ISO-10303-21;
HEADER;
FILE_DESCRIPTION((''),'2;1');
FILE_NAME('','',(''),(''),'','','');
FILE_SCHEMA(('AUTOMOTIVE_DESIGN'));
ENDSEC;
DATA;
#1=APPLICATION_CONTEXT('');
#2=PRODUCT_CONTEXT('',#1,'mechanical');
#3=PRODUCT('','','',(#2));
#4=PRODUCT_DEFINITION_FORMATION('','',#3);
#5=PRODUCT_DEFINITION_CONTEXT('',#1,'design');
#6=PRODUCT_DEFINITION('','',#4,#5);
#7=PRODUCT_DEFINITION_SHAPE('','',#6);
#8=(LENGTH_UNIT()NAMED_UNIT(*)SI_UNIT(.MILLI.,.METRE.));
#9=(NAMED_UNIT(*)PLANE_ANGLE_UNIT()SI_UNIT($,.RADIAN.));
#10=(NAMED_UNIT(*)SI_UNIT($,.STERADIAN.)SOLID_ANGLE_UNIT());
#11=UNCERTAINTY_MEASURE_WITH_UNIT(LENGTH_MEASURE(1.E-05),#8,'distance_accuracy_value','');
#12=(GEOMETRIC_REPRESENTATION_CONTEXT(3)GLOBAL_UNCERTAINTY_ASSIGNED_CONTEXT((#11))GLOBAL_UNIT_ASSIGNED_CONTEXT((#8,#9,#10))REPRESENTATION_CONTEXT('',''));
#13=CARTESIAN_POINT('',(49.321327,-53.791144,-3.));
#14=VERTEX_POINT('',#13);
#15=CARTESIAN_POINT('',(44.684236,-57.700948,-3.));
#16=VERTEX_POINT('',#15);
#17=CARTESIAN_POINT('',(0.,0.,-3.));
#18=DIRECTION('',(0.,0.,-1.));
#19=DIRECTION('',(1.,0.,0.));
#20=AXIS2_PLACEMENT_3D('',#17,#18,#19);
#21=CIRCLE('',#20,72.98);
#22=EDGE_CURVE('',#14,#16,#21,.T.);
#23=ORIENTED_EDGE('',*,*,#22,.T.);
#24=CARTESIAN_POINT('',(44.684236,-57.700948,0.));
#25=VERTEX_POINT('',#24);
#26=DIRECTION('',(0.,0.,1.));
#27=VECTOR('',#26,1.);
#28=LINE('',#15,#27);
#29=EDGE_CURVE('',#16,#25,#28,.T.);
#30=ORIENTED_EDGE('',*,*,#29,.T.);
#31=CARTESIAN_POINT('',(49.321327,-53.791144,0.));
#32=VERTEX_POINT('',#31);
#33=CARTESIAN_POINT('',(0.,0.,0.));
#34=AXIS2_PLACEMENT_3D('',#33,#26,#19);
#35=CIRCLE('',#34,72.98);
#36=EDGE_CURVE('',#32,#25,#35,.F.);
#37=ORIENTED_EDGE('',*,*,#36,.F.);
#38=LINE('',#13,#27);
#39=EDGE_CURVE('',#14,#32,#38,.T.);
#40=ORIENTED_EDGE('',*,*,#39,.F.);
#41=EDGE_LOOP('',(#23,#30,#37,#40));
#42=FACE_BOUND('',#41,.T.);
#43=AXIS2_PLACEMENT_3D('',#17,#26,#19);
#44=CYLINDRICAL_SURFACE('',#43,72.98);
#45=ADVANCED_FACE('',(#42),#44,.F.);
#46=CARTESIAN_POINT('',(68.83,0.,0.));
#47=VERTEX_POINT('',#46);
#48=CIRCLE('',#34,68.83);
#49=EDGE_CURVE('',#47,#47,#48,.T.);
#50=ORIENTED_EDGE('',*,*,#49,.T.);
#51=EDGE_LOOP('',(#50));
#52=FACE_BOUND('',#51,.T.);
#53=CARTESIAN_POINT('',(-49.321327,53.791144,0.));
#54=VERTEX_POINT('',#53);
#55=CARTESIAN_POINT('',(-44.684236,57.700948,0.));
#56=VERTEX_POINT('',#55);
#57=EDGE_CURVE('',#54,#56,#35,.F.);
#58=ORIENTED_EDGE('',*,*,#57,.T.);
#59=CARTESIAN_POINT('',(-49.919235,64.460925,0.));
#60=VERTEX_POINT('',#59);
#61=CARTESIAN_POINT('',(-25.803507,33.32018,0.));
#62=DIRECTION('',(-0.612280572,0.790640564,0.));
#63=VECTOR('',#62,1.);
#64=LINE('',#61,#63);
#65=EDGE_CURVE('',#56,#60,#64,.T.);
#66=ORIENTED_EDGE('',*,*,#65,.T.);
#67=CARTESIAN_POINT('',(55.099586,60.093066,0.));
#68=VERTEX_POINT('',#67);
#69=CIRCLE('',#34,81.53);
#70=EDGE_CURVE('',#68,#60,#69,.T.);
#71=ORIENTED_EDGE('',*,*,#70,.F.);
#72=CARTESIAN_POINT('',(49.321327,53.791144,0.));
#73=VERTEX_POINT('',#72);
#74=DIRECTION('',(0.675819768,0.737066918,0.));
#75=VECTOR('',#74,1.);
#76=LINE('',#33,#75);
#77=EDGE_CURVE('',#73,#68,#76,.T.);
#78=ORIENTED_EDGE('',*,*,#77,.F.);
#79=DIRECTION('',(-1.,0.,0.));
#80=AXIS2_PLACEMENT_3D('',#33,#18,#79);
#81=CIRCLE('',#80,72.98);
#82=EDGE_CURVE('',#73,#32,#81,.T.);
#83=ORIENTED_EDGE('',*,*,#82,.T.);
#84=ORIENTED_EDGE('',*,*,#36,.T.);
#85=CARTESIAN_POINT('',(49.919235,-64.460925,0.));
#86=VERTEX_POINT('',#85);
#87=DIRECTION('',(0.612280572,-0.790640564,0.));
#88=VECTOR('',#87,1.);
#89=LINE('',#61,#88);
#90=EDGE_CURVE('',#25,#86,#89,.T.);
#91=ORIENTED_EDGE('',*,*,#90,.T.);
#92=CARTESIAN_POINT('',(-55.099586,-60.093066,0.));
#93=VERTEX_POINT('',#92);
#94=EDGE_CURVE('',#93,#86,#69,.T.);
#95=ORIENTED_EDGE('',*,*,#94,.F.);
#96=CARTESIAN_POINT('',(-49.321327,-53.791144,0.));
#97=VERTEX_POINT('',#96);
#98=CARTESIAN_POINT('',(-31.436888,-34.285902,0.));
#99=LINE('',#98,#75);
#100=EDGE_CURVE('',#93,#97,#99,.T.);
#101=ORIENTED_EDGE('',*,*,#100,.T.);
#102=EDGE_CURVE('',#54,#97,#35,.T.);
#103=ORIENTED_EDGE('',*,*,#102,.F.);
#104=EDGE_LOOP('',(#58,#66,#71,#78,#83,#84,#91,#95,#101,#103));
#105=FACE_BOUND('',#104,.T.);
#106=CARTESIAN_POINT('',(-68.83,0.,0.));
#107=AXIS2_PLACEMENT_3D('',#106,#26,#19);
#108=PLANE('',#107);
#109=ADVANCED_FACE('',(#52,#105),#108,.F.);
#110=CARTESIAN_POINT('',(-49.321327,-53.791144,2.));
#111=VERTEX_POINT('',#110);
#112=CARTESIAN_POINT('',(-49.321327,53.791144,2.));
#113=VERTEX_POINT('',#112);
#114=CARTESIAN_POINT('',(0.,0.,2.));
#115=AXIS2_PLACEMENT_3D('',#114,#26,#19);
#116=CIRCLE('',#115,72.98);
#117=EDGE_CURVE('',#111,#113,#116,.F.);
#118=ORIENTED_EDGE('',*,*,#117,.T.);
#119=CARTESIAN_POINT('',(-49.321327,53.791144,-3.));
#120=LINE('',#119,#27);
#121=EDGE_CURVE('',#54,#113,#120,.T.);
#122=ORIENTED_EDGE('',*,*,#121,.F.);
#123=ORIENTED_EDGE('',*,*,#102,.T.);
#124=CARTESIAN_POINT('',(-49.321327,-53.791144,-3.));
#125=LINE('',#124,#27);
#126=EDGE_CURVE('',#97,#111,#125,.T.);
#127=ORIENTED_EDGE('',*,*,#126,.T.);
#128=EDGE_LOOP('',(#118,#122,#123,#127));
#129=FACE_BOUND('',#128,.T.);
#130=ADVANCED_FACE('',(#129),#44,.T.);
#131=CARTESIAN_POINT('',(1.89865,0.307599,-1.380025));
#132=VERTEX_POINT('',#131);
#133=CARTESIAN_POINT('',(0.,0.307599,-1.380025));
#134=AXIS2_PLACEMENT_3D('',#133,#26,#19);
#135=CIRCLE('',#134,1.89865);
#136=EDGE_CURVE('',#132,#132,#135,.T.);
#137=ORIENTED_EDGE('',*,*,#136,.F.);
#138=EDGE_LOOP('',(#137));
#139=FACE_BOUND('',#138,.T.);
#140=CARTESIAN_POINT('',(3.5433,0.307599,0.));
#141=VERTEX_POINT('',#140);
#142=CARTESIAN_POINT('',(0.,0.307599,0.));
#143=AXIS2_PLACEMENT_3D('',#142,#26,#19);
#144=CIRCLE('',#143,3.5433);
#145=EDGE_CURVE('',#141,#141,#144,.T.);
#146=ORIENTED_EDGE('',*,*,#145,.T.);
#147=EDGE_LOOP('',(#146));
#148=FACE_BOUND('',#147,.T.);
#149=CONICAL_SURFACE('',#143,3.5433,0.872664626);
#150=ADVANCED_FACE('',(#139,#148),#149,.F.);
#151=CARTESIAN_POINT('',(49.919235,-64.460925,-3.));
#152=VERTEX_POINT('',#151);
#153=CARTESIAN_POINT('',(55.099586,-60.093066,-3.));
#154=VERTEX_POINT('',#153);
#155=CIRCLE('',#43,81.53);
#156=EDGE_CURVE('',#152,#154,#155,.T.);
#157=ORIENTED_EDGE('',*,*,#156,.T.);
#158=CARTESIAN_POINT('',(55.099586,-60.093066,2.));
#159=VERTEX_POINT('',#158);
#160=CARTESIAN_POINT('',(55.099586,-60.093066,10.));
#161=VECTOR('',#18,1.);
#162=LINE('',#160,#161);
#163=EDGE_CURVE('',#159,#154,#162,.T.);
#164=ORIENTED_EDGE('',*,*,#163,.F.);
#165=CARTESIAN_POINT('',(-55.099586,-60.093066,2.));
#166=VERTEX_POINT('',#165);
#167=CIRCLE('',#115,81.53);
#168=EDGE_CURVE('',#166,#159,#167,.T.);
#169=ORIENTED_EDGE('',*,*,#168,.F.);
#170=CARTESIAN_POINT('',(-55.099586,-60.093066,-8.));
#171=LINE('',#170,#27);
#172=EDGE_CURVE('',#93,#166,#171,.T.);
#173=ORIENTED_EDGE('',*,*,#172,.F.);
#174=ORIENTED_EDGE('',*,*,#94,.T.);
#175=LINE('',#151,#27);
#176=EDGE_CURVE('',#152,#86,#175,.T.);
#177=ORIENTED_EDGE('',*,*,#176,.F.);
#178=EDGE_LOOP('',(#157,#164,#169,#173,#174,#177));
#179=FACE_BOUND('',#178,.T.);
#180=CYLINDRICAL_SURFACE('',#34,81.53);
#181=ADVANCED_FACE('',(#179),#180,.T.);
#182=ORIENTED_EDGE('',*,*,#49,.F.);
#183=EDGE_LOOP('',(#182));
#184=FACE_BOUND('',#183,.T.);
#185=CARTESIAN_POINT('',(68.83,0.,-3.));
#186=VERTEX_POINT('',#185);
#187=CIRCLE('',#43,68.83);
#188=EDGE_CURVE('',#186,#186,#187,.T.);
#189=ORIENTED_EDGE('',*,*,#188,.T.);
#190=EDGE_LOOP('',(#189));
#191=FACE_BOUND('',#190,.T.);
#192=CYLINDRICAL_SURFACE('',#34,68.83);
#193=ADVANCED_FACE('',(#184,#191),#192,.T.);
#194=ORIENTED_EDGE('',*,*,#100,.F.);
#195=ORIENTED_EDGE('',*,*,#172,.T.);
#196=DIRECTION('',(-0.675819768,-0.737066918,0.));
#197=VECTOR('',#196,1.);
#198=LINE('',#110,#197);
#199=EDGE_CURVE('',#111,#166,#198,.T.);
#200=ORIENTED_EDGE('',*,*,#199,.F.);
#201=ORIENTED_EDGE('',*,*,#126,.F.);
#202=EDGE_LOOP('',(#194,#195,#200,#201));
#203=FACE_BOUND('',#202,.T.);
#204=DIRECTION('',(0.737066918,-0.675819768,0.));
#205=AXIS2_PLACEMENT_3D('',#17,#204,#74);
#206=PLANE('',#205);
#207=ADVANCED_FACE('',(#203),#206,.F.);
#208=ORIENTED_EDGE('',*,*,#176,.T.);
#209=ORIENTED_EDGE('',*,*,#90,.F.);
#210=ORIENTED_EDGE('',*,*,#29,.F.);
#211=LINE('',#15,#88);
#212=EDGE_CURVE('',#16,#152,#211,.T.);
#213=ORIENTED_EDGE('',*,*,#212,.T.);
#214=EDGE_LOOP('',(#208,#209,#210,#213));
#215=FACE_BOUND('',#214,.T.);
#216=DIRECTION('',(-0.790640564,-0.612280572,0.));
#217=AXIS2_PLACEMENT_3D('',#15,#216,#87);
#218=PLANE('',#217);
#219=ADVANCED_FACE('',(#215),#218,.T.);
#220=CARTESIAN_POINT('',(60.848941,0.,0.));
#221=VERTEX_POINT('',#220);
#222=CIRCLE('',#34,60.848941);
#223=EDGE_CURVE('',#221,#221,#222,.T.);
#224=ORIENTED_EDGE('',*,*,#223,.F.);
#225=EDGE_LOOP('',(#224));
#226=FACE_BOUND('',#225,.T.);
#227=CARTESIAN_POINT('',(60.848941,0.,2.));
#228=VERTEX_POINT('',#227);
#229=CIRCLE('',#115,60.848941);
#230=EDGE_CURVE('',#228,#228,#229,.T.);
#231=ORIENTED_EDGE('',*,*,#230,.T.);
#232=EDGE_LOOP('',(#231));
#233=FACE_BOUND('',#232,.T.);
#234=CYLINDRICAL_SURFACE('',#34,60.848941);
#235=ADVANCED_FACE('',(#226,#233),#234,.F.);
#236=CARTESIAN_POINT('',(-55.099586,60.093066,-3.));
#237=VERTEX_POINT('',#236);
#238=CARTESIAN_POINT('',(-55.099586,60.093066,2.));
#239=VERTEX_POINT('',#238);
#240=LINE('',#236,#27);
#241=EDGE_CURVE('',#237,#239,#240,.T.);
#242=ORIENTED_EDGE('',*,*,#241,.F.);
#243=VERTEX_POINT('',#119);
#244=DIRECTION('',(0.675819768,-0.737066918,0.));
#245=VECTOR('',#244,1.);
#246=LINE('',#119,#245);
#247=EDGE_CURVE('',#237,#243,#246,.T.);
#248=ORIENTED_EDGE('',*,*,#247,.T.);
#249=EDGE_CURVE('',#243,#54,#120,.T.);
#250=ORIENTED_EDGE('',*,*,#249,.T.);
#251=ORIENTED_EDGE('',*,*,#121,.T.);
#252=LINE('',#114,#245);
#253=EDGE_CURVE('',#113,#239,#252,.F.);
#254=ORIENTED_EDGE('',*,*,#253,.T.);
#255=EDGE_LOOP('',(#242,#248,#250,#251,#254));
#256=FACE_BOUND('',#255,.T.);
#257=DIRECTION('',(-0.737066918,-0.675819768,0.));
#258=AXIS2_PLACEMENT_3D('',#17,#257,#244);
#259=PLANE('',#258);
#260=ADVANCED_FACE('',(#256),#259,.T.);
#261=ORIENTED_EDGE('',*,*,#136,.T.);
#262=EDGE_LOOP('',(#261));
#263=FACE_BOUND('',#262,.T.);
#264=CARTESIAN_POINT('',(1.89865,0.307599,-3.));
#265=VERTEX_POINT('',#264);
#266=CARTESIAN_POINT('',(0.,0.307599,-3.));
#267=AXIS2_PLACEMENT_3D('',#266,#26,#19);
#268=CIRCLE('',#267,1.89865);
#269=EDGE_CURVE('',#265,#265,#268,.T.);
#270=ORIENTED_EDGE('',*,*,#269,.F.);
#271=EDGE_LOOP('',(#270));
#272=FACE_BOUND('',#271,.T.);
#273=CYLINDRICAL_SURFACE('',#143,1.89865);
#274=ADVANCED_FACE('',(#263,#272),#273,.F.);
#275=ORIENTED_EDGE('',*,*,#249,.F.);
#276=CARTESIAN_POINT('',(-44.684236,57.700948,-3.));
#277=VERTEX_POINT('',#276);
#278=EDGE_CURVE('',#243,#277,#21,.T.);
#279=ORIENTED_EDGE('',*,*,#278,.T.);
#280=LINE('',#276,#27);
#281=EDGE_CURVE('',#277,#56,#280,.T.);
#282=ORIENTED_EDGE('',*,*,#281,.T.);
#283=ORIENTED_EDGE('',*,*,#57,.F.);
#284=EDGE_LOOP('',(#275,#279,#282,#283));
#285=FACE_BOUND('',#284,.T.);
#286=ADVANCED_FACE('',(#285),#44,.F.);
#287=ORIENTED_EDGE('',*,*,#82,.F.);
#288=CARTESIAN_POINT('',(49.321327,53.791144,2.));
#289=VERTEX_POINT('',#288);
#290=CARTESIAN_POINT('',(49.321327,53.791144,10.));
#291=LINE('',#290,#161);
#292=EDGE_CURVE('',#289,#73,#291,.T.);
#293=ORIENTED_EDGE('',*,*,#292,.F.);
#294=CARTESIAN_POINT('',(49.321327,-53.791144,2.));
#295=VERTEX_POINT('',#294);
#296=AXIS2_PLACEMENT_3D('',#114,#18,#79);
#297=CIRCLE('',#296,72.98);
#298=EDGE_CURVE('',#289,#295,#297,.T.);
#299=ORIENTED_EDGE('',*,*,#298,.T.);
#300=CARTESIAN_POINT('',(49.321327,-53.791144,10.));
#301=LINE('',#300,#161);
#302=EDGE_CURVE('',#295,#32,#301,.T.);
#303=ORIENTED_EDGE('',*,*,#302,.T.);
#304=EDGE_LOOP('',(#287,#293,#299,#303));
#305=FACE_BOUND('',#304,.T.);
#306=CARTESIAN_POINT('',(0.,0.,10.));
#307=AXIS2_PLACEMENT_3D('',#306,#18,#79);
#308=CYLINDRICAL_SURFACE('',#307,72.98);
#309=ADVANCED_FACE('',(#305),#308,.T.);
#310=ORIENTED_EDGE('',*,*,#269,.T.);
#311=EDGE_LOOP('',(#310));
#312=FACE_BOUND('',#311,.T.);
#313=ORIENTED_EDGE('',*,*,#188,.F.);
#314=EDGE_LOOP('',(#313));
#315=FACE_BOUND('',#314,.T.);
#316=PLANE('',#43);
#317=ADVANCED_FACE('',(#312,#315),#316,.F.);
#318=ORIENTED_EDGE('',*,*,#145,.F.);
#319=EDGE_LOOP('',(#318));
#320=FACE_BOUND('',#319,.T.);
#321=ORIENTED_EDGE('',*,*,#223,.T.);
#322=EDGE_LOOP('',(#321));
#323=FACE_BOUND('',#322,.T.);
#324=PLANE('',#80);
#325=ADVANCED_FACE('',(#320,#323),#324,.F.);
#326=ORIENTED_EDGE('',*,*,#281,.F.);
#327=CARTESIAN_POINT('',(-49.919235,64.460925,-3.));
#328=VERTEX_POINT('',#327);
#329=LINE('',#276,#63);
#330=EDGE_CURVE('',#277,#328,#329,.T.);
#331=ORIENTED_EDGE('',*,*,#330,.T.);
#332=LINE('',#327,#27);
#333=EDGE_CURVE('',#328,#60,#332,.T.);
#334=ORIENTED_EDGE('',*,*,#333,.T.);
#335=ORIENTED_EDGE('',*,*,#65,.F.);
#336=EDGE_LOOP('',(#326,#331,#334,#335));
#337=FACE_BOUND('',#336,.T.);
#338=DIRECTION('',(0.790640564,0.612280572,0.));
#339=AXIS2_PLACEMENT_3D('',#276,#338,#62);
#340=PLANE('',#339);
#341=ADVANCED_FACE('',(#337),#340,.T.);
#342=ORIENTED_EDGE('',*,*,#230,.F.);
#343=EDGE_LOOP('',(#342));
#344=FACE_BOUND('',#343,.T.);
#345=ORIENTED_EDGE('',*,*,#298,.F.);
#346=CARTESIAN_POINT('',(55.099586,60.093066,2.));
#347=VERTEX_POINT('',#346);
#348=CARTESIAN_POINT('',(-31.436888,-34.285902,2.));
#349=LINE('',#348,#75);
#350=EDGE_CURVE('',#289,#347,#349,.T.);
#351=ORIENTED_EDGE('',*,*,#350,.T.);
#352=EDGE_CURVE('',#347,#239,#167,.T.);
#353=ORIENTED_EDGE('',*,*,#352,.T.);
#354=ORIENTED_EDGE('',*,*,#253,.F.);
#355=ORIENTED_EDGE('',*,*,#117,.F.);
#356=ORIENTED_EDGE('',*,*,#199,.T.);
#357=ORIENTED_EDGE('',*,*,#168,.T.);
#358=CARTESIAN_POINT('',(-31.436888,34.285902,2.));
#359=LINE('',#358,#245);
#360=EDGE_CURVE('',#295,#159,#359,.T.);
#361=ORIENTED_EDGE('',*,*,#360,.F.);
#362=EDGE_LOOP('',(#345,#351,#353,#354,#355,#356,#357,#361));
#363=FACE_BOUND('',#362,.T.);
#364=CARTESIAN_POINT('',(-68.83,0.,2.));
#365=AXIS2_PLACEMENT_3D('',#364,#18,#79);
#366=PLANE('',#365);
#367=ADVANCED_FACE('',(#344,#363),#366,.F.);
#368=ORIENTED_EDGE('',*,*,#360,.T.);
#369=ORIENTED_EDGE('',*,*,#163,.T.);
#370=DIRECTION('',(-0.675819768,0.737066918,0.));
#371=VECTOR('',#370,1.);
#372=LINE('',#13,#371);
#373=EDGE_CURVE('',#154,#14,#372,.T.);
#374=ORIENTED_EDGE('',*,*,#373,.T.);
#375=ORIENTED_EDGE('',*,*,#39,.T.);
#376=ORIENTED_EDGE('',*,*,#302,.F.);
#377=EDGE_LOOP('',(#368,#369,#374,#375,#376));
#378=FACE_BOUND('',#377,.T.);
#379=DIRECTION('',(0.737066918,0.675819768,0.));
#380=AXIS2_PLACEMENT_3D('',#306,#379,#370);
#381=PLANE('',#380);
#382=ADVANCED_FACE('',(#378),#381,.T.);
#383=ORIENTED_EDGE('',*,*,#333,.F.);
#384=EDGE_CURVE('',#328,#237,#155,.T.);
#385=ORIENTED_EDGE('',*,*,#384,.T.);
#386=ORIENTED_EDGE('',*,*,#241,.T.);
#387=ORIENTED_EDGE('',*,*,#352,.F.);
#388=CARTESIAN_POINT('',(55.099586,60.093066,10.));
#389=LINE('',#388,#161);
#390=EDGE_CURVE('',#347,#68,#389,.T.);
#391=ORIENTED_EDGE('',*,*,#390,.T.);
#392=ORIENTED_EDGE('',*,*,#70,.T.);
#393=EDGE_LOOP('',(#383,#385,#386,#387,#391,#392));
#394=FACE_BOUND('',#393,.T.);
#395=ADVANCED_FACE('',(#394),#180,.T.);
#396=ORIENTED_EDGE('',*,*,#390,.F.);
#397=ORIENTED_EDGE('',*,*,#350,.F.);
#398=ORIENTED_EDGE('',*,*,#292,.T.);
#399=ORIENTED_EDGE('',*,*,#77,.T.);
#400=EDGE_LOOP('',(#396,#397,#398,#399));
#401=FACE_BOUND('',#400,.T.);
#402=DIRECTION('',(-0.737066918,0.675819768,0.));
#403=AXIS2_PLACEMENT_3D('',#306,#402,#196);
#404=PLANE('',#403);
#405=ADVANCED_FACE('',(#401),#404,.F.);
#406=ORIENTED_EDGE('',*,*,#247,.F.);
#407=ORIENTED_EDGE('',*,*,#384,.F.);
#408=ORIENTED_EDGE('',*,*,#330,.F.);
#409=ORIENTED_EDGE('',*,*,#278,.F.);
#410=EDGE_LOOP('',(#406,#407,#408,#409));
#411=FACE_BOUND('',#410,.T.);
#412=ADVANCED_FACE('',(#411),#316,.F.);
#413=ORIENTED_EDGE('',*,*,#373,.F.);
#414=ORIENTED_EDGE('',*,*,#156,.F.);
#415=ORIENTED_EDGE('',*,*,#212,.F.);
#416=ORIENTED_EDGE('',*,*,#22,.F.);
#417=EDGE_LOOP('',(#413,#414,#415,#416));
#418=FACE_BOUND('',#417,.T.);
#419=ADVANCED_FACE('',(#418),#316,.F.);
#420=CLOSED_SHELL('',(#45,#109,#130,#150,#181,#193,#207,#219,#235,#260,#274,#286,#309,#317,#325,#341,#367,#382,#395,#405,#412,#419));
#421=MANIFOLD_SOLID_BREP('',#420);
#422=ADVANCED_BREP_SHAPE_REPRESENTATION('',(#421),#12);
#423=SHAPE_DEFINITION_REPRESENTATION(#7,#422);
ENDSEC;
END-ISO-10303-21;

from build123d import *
from build123d.topology import SkipClean

# Parameters (mm, degrees)
CSK_FOR_6_FLAT_HEAD_MACHINE_SCREW_100_D           = 3.7973
CSK_FOR_6_FLAT_HEAD_MACHINE_SCREW_100_CSINK_D     = 7.0866
CSK_FOR_6_FLAT_HEAD_MACHINE_SCREW_100_CSINK_ANGLE = 100
CUT_EXTRUDE1_DEPTH                                = 10
CUT_EXTRUDE2_DEPTH                                = 116.409192875
CUT_EXTRUDE2_DEPTH_BACK                           = 116.409192875
BOSS_EXTRUDE1_START                               = -5
BOSS_EXTRUDE1_DEPTH                               = 5
CUT_EXTRUDE3_DEPTH                                = 10


with BuildPart() as part:
    # Sketch1 → Revolve1 (revolve)
    with BuildSketch(Plane(origin=(0, 0, 0), x_dir=(1, 0, 0), z_dir=(0, 1, 0)), mode=Mode.PRIVATE) as revolve1_sk:
        Polygon((-68.83, 3), (-68.83, 0), (-81.53, 0), (-81.53, -2), (-68.83, -2), (-60.848940548, -2), (-60.848940548, 0), (0, 0), (0, 3), align=None)
    revolve(revolve1_sk.sketch.rotate(Axis((0, 0, 0), (0, 0, -1)), 180), axis=Axis((0, 0, 0), (0, 0, -1)))

    # CSK for #6 Flat Head Machine Screw (100)1 (through all)
    with Locations(Plane(origin=(0, 0.307599269, 0), x_dir=(1, 0, 0), z_dir=(0, 0, 1))):
        with Locations((0, 0)):
            CounterSinkHole(CSK_FOR_6_FLAT_HEAD_MACHINE_SCREW_100_D / 2, CSK_FOR_6_FLAT_HEAD_MACHINE_SCREW_100_CSINK_D / 2, counter_sink_angle=CSK_FOR_6_FLAT_HEAD_MACHINE_SCREW_100_CSINK_ANGLE)

    # Sketch5 → Cut-Extrude1 (cut)
    with BuildSketch(Plane(origin=(0, 0, 0), x_dir=(-1, 0, 0), z_dir=(0, 0, -1))):
        with BuildLine():
            Line((-49.321326643, 53.791143678), (-57.904237692, 63.151893537))
            ThreePointArc((-57.904237692, 63.151893537), (-85.68, 0), (-57.904237692, -63.151893537))
            Line((-57.904237692, -63.151893537), (-49.321326643, -53.791143678))
            ThreePointArc((-49.321326643, -53.791143678), (-72.98, 0), (-49.321326643, 53.791143678))
        make_face()
    extrude(amount=-CUT_EXTRUDE1_DEPTH, mode=Mode.SUBTRACT)

    # Sketch6 → Cut-Extrude2 (cut, two sides: drawn at the far end of the back side and taken through both)
    with BuildSketch(Plane.XY.offset(2).offset(-CUT_EXTRUDE2_DEPTH_BACK)):
        with BuildLine():
            Line((-54.761675773, 59.724532368), (-49.321326643, 53.791143678))
            ThreePointArc((-49.321326643, 53.791143678), (-72.98, 0), (-49.321326643, -53.791143678))
            Line((-49.321326643, -53.791143678), (-54.761675773, -59.724532368))
            ThreePointArc((-54.761675773, -59.724532368), (-81.03, 0), (-54.761675773, 59.724532368))
        make_face()
    extrude(amount=CUT_EXTRUDE2_DEPTH + CUT_EXTRUDE2_DEPTH_BACK, mode=Mode.SUBTRACT)

    # Sketch7 → Boss-Extrude1 (add)
    with SkipClean():  # the faces are left unmerged after this step: merging them gives an invalid solid
        with BuildSketch(Plane.XY.offset(2).offset(BOSS_EXTRUDE1_START)):
            with BuildLine():
                Line((49.321326643, -53.791143678), (55.099585656, -60.093065827))
                ThreePointArc((55.099585656, -60.093065827), (52.554806839, -62.330836495), (49.919235, -64.460925195))
                Line((49.919235, -64.460925195), (44.684236113, -57.700948372))
                ThreePointArc((44.684236113, -57.700948372), (47.043417185, -55.794240738), (49.321326643, -53.791143678))
            make_face()
            with BuildLine():
                Line((-44.684236113, 57.700948372), (-49.919235, 64.460925195))
                ThreePointArc((-49.919235, 64.460925195), (-52.554806839, 62.330836495), (-55.099585656, 60.093065827))
                Line((-55.099585656, 60.093065827), (-49.321326643, 53.791143678))
                ThreePointArc((-49.321326643, 53.791143678), (-47.043417185, 55.794240738), (-44.684236113, 57.700948372))
            make_face()
        extrude(amount=BOSS_EXTRUDE1_DEPTH)

    # Sketch9 → Cut-Extrude3 (cut)
    with BuildSketch(Plane.XY.offset(2)):
        with BuildLine():
            Line((-54.761675773, 59.724532368), (-55.099585656, 60.093065827))
            ThreePointArc((-55.099585656, 60.093065827), (-81.53, 0), (-55.099585656, -60.093065827))
            Line((-55.099585656, -60.093065827), (-54.761675773, -59.724532368))
            ThreePointArc((-54.761675773, -59.724532368), (-81.03, 0), (-54.761675773, 59.724532368))
        make_face()
    extrude(amount=-CUT_EXTRUDE3_DEPTH, mode=Mode.SUBTRACT)


solid = part.part
